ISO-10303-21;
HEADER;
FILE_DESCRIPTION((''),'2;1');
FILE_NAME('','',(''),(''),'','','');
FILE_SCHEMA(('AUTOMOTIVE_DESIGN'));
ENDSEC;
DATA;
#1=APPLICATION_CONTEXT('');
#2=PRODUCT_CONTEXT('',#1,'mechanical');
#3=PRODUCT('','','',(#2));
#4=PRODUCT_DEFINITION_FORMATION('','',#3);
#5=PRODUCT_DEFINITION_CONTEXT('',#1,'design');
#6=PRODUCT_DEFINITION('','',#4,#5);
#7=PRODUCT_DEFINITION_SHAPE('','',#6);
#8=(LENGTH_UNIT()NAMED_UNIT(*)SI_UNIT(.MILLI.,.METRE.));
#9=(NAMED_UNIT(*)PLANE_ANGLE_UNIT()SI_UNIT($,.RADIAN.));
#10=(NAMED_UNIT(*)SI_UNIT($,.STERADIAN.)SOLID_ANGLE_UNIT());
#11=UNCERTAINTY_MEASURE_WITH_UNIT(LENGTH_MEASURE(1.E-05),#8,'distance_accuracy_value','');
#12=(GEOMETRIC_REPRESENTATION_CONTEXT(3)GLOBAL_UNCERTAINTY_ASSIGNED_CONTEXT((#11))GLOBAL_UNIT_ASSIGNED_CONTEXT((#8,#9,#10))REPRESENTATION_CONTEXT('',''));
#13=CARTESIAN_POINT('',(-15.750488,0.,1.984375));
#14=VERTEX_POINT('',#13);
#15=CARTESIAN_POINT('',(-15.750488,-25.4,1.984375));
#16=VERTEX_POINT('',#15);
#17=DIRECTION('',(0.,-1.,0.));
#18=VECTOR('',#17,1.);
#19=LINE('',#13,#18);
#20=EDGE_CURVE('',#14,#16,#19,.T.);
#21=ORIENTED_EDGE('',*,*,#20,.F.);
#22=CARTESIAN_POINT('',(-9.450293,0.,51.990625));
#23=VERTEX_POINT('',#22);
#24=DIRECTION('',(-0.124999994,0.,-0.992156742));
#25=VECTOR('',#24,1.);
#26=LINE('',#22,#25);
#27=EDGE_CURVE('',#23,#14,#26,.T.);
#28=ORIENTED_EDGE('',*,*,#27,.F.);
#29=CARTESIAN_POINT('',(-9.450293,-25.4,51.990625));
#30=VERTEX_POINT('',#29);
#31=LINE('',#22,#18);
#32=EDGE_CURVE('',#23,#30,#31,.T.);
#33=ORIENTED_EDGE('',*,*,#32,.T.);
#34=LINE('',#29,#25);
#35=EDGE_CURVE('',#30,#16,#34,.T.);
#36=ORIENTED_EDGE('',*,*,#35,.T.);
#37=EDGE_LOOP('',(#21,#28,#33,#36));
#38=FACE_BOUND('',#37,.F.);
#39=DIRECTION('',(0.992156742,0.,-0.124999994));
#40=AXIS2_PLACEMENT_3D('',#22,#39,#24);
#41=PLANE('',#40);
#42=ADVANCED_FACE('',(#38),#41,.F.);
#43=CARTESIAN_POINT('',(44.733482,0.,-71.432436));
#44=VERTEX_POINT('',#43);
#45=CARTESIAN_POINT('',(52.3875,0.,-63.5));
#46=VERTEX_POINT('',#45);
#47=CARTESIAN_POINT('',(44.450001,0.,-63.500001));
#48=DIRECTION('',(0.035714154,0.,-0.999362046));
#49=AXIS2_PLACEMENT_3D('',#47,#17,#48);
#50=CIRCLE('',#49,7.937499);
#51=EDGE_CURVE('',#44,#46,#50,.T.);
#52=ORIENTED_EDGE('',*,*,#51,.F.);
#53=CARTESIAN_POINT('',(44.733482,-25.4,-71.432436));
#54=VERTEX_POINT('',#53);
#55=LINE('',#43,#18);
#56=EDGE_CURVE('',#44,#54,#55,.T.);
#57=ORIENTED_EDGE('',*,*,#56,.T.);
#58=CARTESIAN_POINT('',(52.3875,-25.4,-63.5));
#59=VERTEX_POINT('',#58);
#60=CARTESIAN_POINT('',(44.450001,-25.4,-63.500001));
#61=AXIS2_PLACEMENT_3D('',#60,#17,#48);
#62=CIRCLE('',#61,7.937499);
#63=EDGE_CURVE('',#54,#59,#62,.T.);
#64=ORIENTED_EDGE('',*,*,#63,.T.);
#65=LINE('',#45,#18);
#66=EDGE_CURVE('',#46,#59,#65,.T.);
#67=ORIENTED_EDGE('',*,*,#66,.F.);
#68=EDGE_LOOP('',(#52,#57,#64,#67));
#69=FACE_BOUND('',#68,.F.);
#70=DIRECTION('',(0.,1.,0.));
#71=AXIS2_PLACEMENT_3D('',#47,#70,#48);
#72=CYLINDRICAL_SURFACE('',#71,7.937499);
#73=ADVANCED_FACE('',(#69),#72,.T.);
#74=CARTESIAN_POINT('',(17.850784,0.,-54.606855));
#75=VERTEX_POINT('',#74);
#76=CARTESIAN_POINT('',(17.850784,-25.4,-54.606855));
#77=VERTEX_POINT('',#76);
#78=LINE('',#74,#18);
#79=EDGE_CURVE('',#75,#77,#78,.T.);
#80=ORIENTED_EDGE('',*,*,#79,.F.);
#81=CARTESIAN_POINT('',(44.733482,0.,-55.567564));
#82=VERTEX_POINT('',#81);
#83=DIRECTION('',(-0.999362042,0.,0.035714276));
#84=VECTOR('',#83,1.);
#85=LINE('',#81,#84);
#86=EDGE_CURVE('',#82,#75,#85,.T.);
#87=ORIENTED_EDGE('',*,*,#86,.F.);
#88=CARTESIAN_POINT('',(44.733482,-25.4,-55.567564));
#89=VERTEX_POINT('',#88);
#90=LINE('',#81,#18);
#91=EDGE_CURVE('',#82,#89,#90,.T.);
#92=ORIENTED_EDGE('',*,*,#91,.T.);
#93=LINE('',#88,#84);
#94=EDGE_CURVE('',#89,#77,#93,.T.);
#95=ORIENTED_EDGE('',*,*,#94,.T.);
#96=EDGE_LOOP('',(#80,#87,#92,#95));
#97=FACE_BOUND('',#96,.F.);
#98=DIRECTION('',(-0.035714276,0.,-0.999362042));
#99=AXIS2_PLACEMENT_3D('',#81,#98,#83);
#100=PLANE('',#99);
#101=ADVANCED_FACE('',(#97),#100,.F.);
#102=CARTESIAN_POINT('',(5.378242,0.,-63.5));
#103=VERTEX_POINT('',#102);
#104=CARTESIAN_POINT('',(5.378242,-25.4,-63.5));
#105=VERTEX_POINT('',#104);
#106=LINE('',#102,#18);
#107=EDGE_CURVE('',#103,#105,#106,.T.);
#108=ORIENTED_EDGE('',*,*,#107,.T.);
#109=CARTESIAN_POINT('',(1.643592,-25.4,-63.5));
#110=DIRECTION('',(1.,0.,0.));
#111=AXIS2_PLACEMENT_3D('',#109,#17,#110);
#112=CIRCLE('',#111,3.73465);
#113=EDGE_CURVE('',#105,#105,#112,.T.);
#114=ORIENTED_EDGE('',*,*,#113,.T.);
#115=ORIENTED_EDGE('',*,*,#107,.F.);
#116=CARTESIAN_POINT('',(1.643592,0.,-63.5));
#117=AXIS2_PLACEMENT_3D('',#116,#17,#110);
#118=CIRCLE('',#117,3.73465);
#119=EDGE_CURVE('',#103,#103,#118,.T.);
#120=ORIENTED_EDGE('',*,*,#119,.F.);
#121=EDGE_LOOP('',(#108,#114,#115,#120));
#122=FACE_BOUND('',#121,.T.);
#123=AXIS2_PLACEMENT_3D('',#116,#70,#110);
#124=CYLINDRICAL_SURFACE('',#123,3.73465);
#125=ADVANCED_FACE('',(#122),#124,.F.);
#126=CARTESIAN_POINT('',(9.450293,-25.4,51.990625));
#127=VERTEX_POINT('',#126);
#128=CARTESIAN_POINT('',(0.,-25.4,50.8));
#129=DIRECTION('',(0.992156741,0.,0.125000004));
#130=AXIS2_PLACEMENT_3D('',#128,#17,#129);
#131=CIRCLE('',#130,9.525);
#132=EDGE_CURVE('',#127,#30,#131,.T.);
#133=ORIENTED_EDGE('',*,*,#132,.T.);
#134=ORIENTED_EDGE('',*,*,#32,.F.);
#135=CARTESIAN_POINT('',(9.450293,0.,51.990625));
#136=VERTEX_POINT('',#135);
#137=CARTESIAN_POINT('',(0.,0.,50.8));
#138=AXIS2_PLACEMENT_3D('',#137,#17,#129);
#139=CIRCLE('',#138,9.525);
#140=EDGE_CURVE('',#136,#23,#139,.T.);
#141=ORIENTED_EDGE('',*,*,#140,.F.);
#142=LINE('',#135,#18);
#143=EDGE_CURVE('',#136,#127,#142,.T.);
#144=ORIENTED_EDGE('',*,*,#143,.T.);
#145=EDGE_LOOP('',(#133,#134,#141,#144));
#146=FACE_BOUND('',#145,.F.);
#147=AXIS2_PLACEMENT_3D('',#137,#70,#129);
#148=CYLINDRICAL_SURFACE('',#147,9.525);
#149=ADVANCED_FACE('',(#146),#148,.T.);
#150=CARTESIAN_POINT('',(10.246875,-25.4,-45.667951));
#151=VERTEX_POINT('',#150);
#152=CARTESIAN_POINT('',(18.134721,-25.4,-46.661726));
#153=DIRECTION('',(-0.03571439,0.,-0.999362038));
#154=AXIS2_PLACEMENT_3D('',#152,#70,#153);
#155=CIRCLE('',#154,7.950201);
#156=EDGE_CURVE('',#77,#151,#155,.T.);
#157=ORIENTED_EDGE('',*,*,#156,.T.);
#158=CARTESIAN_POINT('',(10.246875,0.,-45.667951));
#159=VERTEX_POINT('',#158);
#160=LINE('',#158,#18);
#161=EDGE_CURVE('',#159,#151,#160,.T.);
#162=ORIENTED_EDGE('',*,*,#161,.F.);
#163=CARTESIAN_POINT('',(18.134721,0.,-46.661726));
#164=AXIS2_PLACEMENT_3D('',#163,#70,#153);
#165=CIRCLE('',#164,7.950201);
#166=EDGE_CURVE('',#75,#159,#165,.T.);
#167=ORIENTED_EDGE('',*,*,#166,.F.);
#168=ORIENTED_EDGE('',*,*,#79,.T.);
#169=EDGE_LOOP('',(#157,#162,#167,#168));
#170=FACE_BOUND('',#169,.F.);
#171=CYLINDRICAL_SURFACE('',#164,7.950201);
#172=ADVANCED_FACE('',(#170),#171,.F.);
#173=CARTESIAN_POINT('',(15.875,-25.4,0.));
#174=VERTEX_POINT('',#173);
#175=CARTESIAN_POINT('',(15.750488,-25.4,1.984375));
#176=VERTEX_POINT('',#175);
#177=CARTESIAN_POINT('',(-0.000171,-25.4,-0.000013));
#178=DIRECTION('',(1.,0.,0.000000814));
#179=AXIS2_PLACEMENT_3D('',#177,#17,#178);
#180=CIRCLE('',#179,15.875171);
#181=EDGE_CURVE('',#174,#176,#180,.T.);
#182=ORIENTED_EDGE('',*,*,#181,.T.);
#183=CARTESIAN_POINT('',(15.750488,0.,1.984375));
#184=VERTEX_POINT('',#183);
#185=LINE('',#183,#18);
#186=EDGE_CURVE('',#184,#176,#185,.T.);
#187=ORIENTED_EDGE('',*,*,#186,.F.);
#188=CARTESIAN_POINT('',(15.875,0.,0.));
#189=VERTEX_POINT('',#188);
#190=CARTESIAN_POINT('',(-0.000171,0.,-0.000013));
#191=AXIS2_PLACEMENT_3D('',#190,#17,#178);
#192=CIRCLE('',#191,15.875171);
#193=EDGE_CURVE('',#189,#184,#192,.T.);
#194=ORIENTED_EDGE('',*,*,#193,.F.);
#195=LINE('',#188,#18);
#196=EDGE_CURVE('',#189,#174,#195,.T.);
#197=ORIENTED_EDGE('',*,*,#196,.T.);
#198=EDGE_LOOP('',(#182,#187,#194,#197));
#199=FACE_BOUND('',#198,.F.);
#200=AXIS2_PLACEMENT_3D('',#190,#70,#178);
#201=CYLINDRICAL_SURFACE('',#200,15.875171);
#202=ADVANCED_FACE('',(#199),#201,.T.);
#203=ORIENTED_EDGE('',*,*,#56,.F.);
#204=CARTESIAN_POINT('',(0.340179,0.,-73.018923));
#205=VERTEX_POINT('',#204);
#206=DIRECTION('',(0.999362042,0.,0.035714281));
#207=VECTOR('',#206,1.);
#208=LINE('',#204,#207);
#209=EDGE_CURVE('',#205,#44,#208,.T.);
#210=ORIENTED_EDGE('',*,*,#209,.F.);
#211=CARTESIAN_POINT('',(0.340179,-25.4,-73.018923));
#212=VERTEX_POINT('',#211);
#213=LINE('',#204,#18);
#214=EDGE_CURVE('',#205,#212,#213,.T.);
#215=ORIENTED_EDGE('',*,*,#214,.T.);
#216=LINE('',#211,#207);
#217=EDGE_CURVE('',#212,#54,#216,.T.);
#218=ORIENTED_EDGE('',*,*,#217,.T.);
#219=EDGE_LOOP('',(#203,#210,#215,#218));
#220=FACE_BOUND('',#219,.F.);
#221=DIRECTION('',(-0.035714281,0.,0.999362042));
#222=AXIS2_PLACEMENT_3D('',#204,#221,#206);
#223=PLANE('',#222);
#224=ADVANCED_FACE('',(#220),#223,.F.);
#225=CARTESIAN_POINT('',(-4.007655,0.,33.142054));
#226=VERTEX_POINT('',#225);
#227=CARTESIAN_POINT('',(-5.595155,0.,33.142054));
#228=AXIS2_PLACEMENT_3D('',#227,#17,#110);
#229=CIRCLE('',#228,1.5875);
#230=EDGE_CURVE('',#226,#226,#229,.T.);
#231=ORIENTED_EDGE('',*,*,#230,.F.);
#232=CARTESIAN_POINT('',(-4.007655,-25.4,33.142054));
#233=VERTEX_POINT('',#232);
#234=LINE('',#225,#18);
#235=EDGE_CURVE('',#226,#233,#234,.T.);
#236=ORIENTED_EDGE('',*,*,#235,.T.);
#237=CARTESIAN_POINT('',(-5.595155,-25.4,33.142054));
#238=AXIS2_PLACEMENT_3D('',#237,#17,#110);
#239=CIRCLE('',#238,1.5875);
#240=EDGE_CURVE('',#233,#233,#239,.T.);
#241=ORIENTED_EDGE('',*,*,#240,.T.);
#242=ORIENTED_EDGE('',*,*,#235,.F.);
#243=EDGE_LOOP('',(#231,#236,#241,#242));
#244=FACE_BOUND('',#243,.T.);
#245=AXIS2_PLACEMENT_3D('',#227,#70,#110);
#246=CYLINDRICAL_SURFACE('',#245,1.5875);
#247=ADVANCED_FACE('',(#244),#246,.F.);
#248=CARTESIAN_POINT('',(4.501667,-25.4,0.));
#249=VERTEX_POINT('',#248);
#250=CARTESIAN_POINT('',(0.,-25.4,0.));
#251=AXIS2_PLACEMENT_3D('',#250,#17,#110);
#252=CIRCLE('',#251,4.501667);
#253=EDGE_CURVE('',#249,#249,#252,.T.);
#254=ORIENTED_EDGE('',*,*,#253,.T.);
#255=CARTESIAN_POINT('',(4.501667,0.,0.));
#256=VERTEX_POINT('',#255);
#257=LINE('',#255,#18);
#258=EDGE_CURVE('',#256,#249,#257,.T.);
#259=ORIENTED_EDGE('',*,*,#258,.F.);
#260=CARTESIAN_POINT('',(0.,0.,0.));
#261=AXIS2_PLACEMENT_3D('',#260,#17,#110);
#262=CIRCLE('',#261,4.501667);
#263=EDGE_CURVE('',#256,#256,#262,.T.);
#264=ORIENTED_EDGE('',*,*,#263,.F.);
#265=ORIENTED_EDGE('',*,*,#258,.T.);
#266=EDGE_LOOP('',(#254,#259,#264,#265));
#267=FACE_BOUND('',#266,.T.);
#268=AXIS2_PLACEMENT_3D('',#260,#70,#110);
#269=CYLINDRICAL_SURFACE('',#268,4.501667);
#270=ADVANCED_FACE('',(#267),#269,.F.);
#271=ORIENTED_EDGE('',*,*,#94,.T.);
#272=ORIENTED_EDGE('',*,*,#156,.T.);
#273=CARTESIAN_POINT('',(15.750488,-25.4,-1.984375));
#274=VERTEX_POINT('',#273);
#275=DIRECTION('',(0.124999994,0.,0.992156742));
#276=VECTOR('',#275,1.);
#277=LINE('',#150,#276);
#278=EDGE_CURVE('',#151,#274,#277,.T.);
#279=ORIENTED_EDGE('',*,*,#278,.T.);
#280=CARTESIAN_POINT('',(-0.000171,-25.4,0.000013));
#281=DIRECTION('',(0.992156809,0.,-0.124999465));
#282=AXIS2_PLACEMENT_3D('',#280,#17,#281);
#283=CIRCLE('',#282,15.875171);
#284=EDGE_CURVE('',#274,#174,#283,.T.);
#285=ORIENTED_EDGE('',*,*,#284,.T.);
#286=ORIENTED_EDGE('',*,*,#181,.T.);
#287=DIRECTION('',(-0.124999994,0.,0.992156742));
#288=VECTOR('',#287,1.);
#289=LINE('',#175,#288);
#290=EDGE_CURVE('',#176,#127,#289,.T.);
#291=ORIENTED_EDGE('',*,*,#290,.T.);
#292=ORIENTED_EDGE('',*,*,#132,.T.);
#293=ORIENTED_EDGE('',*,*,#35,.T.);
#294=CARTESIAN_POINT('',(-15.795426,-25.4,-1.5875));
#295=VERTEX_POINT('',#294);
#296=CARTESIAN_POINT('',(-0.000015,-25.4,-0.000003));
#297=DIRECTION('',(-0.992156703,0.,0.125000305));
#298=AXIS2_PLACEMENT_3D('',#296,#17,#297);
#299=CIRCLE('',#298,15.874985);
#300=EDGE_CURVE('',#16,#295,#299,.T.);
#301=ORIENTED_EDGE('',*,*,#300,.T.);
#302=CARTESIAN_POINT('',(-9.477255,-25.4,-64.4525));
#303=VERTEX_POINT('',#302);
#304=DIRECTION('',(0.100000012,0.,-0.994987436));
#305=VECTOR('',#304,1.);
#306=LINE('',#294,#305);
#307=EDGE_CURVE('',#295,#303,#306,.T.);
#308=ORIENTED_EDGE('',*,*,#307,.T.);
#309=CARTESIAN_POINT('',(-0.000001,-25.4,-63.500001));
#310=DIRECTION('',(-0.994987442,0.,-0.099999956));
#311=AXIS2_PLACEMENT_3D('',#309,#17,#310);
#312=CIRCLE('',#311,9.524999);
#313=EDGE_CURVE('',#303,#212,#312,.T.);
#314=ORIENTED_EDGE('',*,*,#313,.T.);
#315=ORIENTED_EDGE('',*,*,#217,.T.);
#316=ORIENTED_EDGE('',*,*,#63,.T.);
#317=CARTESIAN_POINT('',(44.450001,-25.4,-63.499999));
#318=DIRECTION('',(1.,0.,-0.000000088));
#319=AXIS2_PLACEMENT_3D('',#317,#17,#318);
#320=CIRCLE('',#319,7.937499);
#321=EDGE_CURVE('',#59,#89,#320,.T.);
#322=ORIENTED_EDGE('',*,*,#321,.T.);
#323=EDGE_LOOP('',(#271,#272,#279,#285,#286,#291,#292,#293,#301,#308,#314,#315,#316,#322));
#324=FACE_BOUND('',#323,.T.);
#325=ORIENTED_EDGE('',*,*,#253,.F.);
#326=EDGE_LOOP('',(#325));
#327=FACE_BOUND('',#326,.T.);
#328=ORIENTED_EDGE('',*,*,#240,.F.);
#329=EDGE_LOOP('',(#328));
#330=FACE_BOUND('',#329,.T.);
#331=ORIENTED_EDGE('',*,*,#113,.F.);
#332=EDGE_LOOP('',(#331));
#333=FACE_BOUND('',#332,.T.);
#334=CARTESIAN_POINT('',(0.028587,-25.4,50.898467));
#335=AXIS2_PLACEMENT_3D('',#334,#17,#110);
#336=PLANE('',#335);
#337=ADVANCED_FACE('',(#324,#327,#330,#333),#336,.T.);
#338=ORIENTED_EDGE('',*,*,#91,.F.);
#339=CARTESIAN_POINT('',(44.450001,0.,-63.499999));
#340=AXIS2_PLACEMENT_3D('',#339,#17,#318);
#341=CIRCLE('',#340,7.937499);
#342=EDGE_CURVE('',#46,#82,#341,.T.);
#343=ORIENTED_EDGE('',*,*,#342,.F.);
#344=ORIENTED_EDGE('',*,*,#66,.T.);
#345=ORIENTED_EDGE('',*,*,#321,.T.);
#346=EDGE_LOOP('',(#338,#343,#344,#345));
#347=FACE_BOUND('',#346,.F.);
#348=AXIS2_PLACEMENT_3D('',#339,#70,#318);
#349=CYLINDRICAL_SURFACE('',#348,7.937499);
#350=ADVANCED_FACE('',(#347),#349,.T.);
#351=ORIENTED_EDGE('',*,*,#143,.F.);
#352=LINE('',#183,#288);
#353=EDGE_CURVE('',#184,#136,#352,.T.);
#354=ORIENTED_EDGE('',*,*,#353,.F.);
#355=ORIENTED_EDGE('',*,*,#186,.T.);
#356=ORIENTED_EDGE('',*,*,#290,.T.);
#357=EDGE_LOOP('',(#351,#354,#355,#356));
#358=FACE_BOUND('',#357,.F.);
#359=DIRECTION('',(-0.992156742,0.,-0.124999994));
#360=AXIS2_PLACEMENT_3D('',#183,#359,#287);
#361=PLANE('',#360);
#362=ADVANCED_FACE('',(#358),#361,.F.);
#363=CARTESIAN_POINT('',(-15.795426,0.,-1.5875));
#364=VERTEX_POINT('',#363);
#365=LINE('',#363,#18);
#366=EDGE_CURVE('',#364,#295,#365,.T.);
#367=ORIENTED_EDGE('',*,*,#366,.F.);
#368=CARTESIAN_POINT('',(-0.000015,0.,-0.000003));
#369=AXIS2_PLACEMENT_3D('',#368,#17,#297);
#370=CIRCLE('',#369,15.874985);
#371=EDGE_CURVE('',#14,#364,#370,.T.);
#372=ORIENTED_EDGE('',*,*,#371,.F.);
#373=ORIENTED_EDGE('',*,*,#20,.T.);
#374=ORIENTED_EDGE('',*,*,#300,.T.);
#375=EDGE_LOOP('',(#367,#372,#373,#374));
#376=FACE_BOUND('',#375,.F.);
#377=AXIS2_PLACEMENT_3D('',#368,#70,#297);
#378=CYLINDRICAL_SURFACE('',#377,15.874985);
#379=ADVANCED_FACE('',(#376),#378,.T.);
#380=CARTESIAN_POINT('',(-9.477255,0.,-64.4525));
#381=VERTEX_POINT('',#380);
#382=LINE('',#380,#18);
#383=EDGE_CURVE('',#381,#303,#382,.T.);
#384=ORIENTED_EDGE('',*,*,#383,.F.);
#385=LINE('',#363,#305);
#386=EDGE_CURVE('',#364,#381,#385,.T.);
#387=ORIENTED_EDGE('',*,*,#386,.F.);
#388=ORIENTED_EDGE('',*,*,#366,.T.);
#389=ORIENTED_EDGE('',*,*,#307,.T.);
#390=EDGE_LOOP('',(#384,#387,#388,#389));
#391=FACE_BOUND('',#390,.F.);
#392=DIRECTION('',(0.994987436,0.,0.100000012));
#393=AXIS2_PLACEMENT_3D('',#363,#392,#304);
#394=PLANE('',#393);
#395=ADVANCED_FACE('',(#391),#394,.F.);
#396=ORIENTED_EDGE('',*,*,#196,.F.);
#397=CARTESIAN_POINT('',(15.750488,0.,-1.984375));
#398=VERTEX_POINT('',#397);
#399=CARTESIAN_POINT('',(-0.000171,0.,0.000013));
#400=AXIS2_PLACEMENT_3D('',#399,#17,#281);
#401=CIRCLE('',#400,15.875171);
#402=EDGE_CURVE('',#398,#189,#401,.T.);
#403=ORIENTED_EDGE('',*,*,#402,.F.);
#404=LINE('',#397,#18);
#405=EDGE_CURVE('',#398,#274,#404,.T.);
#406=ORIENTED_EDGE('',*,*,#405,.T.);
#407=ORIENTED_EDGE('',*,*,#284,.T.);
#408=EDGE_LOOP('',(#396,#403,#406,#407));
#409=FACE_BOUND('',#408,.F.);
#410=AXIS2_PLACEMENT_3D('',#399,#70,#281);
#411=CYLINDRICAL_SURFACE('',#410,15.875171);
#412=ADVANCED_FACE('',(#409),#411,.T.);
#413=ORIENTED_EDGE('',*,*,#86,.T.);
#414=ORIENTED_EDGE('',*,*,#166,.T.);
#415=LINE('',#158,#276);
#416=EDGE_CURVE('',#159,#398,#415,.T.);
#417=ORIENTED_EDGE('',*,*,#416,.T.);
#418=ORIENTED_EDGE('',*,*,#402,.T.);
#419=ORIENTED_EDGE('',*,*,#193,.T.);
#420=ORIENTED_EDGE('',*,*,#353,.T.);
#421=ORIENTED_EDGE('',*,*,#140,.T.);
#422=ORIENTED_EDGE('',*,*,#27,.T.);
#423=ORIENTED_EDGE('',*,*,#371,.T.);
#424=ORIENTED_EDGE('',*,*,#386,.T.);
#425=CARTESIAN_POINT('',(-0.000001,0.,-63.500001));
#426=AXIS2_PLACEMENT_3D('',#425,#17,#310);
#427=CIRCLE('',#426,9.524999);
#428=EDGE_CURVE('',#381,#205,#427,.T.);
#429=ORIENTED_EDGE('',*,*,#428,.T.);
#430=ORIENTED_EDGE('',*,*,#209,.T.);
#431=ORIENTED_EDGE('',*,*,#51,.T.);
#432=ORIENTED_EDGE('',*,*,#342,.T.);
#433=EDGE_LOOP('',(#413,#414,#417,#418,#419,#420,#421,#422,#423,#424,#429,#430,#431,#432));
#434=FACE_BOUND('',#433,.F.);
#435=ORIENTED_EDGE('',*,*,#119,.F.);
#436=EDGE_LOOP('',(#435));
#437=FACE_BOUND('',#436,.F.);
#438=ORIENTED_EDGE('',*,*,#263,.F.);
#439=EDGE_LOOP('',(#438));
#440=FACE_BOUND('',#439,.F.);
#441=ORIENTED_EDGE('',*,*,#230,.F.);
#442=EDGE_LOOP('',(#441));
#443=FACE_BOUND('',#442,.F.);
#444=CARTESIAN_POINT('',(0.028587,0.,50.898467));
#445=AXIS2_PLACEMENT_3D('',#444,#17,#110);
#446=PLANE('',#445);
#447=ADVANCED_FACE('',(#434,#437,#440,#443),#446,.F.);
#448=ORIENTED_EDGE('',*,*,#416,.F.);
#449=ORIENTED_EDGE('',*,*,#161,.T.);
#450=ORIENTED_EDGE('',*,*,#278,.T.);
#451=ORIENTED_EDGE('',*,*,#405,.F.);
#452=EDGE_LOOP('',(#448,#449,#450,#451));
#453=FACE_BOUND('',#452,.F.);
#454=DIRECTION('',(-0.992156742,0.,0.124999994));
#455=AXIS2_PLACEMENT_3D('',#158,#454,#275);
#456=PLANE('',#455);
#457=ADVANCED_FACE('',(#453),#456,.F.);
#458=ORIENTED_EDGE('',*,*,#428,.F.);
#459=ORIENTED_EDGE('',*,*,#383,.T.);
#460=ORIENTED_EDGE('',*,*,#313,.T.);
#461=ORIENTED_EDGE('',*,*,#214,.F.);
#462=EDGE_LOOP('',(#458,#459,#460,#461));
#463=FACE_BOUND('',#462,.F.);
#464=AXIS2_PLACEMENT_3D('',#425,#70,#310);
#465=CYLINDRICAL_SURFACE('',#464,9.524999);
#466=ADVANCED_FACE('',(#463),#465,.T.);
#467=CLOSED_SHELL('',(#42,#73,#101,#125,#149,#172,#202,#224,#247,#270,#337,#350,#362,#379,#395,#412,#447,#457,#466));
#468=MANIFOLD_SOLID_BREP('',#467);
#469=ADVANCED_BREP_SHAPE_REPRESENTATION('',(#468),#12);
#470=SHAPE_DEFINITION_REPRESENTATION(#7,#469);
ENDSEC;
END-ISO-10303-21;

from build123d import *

# Parameters (mm, degrees)
F0_R     = 1.5875
F0_R_2   = 4.501667
F0_R_3   = 3.73465
F1_DEPTH = 25.4


with BuildPart() as f1:
    # F0 (on Front) → F1 (new body)
    with BuildSketch(Plane.XZ):
        with BuildLine():
            ThreePointArc((-9.450293, 51.990625), (-0.596483, 41.293695), (9.525, 50.8))
            ThreePointArc((9.525, 50.8), (9.506305, 51.396483), (9.450293, 51.990625))
            ThreePointArc((9.450293, 51.990625), (0, 60.325), (-9.450293, 51.990625))
        make_face()
        with BuildLine():
            ThreePointArc((9.450293, 51.990625), (9.506305, 51.396483), (9.525, 50.8))
            ThreePointArc((9.525, 50.8), (-0.596483, 41.293695), (-9.450293, 51.990625))
            Line((-9.450293, 51.990625), (-15.750488, 1.984375))
            ThreePointArc((-15.750488, 1.984375), (0, 15.875), (15.750488, 1.984375))
            Line((15.750488, 1.984375), (9.450293, 51.990625))
        make_face()
        with Locations((-5.595155, 33.142054)):
            Circle(F0_R, mode=Mode.SUBTRACT)
        with BuildLine():
            ThreePointArc((15.875, 0), (15.843841, 0.994139), (15.750488, 1.984375))
            ThreePointArc((15.750488, 1.984375), (0, 15.875), (-15.750488, 1.984375))
            Line((-15.750488, 1.984375), (-15.750488, -1.984375))
            ThreePointArc((-15.750488, -1.984375), (0, -15.875), (15.750488, -1.984375))
            ThreePointArc((15.750488, -1.984375), (15.843841, -0.994139), (15.875, 0))
        make_face()
        Circle(F0_R_2, mode=Mode.SUBTRACT)
        with BuildLine():
            Line((-15.750488, -1.984375), (-15.750488, 1.984375))
            ThreePointArc((-15.750488, 1.984375), (-15.873744, 0.199705), (-15.795426, -1.5875))
            ThreePointArc((-15.795426, -1.5875), (-15.774205, -1.786079), (-15.750488, -1.984375))
        make_face()
        with BuildLine():
            ThreePointArc((-15.750488, -1.984375), (-15.774205, -1.786079), (-15.795426, -1.5875))
            Line((-15.795426, -1.5875), (-9.477255, -64.4525))
            ThreePointArc((-9.477255, -64.4525), (-0.476848, -53.986944), (9.525, -63.5))
            ThreePointArc((9.525, -63.5), (6.854408, -70.113827), (0.340179, -73.018923))
            Line((0.340179, -73.018923), (44.733482, -71.432436))
            ThreePointArc((44.733482, -71.432436), (36.5125, -63.5), (44.733482, -55.567564))
            Line((44.733482, -55.567564), (17.850784, -54.606855))
            ThreePointArc((17.850784, -54.606855), (12.079103, -51.812958), (10.246875, -45.667951))
            Line((10.246875, -45.667951), (15.750488, -1.984375))
            ThreePointArc((15.750488, -1.984375), (0, -15.875), (-15.750488, -1.984375))
        make_face()
        with BuildLine():
            ThreePointArc((9.525, -63.5), (-0.476848, -53.986944), (-9.477255, -64.4525))
            ThreePointArc((-9.477255, -64.4525), (-6.262383, -70.67692), (0.340179, -73.018923))
            ThreePointArc((0.340179, -73.018923), (6.854408, -70.113827), (9.525, -63.5))
        make_face()
        with Locations((1.643592, -63.5)):
            Circle(F0_R_3, mode=Mode.SUBTRACT)
        with BuildLine():
            ThreePointArc((44.733482, -55.567564), (36.5125, -63.5), (44.733482, -71.432436))
            ThreePointArc((44.733482, -71.432436), (50.162007, -69.011523), (52.3875, -63.5))
            ThreePointArc((52.3875, -63.5), (50.162007, -57.988477), (44.733482, -55.567564))
        make_face()
    extrude(amount=F1_DEPTH)


solid = f1.part
